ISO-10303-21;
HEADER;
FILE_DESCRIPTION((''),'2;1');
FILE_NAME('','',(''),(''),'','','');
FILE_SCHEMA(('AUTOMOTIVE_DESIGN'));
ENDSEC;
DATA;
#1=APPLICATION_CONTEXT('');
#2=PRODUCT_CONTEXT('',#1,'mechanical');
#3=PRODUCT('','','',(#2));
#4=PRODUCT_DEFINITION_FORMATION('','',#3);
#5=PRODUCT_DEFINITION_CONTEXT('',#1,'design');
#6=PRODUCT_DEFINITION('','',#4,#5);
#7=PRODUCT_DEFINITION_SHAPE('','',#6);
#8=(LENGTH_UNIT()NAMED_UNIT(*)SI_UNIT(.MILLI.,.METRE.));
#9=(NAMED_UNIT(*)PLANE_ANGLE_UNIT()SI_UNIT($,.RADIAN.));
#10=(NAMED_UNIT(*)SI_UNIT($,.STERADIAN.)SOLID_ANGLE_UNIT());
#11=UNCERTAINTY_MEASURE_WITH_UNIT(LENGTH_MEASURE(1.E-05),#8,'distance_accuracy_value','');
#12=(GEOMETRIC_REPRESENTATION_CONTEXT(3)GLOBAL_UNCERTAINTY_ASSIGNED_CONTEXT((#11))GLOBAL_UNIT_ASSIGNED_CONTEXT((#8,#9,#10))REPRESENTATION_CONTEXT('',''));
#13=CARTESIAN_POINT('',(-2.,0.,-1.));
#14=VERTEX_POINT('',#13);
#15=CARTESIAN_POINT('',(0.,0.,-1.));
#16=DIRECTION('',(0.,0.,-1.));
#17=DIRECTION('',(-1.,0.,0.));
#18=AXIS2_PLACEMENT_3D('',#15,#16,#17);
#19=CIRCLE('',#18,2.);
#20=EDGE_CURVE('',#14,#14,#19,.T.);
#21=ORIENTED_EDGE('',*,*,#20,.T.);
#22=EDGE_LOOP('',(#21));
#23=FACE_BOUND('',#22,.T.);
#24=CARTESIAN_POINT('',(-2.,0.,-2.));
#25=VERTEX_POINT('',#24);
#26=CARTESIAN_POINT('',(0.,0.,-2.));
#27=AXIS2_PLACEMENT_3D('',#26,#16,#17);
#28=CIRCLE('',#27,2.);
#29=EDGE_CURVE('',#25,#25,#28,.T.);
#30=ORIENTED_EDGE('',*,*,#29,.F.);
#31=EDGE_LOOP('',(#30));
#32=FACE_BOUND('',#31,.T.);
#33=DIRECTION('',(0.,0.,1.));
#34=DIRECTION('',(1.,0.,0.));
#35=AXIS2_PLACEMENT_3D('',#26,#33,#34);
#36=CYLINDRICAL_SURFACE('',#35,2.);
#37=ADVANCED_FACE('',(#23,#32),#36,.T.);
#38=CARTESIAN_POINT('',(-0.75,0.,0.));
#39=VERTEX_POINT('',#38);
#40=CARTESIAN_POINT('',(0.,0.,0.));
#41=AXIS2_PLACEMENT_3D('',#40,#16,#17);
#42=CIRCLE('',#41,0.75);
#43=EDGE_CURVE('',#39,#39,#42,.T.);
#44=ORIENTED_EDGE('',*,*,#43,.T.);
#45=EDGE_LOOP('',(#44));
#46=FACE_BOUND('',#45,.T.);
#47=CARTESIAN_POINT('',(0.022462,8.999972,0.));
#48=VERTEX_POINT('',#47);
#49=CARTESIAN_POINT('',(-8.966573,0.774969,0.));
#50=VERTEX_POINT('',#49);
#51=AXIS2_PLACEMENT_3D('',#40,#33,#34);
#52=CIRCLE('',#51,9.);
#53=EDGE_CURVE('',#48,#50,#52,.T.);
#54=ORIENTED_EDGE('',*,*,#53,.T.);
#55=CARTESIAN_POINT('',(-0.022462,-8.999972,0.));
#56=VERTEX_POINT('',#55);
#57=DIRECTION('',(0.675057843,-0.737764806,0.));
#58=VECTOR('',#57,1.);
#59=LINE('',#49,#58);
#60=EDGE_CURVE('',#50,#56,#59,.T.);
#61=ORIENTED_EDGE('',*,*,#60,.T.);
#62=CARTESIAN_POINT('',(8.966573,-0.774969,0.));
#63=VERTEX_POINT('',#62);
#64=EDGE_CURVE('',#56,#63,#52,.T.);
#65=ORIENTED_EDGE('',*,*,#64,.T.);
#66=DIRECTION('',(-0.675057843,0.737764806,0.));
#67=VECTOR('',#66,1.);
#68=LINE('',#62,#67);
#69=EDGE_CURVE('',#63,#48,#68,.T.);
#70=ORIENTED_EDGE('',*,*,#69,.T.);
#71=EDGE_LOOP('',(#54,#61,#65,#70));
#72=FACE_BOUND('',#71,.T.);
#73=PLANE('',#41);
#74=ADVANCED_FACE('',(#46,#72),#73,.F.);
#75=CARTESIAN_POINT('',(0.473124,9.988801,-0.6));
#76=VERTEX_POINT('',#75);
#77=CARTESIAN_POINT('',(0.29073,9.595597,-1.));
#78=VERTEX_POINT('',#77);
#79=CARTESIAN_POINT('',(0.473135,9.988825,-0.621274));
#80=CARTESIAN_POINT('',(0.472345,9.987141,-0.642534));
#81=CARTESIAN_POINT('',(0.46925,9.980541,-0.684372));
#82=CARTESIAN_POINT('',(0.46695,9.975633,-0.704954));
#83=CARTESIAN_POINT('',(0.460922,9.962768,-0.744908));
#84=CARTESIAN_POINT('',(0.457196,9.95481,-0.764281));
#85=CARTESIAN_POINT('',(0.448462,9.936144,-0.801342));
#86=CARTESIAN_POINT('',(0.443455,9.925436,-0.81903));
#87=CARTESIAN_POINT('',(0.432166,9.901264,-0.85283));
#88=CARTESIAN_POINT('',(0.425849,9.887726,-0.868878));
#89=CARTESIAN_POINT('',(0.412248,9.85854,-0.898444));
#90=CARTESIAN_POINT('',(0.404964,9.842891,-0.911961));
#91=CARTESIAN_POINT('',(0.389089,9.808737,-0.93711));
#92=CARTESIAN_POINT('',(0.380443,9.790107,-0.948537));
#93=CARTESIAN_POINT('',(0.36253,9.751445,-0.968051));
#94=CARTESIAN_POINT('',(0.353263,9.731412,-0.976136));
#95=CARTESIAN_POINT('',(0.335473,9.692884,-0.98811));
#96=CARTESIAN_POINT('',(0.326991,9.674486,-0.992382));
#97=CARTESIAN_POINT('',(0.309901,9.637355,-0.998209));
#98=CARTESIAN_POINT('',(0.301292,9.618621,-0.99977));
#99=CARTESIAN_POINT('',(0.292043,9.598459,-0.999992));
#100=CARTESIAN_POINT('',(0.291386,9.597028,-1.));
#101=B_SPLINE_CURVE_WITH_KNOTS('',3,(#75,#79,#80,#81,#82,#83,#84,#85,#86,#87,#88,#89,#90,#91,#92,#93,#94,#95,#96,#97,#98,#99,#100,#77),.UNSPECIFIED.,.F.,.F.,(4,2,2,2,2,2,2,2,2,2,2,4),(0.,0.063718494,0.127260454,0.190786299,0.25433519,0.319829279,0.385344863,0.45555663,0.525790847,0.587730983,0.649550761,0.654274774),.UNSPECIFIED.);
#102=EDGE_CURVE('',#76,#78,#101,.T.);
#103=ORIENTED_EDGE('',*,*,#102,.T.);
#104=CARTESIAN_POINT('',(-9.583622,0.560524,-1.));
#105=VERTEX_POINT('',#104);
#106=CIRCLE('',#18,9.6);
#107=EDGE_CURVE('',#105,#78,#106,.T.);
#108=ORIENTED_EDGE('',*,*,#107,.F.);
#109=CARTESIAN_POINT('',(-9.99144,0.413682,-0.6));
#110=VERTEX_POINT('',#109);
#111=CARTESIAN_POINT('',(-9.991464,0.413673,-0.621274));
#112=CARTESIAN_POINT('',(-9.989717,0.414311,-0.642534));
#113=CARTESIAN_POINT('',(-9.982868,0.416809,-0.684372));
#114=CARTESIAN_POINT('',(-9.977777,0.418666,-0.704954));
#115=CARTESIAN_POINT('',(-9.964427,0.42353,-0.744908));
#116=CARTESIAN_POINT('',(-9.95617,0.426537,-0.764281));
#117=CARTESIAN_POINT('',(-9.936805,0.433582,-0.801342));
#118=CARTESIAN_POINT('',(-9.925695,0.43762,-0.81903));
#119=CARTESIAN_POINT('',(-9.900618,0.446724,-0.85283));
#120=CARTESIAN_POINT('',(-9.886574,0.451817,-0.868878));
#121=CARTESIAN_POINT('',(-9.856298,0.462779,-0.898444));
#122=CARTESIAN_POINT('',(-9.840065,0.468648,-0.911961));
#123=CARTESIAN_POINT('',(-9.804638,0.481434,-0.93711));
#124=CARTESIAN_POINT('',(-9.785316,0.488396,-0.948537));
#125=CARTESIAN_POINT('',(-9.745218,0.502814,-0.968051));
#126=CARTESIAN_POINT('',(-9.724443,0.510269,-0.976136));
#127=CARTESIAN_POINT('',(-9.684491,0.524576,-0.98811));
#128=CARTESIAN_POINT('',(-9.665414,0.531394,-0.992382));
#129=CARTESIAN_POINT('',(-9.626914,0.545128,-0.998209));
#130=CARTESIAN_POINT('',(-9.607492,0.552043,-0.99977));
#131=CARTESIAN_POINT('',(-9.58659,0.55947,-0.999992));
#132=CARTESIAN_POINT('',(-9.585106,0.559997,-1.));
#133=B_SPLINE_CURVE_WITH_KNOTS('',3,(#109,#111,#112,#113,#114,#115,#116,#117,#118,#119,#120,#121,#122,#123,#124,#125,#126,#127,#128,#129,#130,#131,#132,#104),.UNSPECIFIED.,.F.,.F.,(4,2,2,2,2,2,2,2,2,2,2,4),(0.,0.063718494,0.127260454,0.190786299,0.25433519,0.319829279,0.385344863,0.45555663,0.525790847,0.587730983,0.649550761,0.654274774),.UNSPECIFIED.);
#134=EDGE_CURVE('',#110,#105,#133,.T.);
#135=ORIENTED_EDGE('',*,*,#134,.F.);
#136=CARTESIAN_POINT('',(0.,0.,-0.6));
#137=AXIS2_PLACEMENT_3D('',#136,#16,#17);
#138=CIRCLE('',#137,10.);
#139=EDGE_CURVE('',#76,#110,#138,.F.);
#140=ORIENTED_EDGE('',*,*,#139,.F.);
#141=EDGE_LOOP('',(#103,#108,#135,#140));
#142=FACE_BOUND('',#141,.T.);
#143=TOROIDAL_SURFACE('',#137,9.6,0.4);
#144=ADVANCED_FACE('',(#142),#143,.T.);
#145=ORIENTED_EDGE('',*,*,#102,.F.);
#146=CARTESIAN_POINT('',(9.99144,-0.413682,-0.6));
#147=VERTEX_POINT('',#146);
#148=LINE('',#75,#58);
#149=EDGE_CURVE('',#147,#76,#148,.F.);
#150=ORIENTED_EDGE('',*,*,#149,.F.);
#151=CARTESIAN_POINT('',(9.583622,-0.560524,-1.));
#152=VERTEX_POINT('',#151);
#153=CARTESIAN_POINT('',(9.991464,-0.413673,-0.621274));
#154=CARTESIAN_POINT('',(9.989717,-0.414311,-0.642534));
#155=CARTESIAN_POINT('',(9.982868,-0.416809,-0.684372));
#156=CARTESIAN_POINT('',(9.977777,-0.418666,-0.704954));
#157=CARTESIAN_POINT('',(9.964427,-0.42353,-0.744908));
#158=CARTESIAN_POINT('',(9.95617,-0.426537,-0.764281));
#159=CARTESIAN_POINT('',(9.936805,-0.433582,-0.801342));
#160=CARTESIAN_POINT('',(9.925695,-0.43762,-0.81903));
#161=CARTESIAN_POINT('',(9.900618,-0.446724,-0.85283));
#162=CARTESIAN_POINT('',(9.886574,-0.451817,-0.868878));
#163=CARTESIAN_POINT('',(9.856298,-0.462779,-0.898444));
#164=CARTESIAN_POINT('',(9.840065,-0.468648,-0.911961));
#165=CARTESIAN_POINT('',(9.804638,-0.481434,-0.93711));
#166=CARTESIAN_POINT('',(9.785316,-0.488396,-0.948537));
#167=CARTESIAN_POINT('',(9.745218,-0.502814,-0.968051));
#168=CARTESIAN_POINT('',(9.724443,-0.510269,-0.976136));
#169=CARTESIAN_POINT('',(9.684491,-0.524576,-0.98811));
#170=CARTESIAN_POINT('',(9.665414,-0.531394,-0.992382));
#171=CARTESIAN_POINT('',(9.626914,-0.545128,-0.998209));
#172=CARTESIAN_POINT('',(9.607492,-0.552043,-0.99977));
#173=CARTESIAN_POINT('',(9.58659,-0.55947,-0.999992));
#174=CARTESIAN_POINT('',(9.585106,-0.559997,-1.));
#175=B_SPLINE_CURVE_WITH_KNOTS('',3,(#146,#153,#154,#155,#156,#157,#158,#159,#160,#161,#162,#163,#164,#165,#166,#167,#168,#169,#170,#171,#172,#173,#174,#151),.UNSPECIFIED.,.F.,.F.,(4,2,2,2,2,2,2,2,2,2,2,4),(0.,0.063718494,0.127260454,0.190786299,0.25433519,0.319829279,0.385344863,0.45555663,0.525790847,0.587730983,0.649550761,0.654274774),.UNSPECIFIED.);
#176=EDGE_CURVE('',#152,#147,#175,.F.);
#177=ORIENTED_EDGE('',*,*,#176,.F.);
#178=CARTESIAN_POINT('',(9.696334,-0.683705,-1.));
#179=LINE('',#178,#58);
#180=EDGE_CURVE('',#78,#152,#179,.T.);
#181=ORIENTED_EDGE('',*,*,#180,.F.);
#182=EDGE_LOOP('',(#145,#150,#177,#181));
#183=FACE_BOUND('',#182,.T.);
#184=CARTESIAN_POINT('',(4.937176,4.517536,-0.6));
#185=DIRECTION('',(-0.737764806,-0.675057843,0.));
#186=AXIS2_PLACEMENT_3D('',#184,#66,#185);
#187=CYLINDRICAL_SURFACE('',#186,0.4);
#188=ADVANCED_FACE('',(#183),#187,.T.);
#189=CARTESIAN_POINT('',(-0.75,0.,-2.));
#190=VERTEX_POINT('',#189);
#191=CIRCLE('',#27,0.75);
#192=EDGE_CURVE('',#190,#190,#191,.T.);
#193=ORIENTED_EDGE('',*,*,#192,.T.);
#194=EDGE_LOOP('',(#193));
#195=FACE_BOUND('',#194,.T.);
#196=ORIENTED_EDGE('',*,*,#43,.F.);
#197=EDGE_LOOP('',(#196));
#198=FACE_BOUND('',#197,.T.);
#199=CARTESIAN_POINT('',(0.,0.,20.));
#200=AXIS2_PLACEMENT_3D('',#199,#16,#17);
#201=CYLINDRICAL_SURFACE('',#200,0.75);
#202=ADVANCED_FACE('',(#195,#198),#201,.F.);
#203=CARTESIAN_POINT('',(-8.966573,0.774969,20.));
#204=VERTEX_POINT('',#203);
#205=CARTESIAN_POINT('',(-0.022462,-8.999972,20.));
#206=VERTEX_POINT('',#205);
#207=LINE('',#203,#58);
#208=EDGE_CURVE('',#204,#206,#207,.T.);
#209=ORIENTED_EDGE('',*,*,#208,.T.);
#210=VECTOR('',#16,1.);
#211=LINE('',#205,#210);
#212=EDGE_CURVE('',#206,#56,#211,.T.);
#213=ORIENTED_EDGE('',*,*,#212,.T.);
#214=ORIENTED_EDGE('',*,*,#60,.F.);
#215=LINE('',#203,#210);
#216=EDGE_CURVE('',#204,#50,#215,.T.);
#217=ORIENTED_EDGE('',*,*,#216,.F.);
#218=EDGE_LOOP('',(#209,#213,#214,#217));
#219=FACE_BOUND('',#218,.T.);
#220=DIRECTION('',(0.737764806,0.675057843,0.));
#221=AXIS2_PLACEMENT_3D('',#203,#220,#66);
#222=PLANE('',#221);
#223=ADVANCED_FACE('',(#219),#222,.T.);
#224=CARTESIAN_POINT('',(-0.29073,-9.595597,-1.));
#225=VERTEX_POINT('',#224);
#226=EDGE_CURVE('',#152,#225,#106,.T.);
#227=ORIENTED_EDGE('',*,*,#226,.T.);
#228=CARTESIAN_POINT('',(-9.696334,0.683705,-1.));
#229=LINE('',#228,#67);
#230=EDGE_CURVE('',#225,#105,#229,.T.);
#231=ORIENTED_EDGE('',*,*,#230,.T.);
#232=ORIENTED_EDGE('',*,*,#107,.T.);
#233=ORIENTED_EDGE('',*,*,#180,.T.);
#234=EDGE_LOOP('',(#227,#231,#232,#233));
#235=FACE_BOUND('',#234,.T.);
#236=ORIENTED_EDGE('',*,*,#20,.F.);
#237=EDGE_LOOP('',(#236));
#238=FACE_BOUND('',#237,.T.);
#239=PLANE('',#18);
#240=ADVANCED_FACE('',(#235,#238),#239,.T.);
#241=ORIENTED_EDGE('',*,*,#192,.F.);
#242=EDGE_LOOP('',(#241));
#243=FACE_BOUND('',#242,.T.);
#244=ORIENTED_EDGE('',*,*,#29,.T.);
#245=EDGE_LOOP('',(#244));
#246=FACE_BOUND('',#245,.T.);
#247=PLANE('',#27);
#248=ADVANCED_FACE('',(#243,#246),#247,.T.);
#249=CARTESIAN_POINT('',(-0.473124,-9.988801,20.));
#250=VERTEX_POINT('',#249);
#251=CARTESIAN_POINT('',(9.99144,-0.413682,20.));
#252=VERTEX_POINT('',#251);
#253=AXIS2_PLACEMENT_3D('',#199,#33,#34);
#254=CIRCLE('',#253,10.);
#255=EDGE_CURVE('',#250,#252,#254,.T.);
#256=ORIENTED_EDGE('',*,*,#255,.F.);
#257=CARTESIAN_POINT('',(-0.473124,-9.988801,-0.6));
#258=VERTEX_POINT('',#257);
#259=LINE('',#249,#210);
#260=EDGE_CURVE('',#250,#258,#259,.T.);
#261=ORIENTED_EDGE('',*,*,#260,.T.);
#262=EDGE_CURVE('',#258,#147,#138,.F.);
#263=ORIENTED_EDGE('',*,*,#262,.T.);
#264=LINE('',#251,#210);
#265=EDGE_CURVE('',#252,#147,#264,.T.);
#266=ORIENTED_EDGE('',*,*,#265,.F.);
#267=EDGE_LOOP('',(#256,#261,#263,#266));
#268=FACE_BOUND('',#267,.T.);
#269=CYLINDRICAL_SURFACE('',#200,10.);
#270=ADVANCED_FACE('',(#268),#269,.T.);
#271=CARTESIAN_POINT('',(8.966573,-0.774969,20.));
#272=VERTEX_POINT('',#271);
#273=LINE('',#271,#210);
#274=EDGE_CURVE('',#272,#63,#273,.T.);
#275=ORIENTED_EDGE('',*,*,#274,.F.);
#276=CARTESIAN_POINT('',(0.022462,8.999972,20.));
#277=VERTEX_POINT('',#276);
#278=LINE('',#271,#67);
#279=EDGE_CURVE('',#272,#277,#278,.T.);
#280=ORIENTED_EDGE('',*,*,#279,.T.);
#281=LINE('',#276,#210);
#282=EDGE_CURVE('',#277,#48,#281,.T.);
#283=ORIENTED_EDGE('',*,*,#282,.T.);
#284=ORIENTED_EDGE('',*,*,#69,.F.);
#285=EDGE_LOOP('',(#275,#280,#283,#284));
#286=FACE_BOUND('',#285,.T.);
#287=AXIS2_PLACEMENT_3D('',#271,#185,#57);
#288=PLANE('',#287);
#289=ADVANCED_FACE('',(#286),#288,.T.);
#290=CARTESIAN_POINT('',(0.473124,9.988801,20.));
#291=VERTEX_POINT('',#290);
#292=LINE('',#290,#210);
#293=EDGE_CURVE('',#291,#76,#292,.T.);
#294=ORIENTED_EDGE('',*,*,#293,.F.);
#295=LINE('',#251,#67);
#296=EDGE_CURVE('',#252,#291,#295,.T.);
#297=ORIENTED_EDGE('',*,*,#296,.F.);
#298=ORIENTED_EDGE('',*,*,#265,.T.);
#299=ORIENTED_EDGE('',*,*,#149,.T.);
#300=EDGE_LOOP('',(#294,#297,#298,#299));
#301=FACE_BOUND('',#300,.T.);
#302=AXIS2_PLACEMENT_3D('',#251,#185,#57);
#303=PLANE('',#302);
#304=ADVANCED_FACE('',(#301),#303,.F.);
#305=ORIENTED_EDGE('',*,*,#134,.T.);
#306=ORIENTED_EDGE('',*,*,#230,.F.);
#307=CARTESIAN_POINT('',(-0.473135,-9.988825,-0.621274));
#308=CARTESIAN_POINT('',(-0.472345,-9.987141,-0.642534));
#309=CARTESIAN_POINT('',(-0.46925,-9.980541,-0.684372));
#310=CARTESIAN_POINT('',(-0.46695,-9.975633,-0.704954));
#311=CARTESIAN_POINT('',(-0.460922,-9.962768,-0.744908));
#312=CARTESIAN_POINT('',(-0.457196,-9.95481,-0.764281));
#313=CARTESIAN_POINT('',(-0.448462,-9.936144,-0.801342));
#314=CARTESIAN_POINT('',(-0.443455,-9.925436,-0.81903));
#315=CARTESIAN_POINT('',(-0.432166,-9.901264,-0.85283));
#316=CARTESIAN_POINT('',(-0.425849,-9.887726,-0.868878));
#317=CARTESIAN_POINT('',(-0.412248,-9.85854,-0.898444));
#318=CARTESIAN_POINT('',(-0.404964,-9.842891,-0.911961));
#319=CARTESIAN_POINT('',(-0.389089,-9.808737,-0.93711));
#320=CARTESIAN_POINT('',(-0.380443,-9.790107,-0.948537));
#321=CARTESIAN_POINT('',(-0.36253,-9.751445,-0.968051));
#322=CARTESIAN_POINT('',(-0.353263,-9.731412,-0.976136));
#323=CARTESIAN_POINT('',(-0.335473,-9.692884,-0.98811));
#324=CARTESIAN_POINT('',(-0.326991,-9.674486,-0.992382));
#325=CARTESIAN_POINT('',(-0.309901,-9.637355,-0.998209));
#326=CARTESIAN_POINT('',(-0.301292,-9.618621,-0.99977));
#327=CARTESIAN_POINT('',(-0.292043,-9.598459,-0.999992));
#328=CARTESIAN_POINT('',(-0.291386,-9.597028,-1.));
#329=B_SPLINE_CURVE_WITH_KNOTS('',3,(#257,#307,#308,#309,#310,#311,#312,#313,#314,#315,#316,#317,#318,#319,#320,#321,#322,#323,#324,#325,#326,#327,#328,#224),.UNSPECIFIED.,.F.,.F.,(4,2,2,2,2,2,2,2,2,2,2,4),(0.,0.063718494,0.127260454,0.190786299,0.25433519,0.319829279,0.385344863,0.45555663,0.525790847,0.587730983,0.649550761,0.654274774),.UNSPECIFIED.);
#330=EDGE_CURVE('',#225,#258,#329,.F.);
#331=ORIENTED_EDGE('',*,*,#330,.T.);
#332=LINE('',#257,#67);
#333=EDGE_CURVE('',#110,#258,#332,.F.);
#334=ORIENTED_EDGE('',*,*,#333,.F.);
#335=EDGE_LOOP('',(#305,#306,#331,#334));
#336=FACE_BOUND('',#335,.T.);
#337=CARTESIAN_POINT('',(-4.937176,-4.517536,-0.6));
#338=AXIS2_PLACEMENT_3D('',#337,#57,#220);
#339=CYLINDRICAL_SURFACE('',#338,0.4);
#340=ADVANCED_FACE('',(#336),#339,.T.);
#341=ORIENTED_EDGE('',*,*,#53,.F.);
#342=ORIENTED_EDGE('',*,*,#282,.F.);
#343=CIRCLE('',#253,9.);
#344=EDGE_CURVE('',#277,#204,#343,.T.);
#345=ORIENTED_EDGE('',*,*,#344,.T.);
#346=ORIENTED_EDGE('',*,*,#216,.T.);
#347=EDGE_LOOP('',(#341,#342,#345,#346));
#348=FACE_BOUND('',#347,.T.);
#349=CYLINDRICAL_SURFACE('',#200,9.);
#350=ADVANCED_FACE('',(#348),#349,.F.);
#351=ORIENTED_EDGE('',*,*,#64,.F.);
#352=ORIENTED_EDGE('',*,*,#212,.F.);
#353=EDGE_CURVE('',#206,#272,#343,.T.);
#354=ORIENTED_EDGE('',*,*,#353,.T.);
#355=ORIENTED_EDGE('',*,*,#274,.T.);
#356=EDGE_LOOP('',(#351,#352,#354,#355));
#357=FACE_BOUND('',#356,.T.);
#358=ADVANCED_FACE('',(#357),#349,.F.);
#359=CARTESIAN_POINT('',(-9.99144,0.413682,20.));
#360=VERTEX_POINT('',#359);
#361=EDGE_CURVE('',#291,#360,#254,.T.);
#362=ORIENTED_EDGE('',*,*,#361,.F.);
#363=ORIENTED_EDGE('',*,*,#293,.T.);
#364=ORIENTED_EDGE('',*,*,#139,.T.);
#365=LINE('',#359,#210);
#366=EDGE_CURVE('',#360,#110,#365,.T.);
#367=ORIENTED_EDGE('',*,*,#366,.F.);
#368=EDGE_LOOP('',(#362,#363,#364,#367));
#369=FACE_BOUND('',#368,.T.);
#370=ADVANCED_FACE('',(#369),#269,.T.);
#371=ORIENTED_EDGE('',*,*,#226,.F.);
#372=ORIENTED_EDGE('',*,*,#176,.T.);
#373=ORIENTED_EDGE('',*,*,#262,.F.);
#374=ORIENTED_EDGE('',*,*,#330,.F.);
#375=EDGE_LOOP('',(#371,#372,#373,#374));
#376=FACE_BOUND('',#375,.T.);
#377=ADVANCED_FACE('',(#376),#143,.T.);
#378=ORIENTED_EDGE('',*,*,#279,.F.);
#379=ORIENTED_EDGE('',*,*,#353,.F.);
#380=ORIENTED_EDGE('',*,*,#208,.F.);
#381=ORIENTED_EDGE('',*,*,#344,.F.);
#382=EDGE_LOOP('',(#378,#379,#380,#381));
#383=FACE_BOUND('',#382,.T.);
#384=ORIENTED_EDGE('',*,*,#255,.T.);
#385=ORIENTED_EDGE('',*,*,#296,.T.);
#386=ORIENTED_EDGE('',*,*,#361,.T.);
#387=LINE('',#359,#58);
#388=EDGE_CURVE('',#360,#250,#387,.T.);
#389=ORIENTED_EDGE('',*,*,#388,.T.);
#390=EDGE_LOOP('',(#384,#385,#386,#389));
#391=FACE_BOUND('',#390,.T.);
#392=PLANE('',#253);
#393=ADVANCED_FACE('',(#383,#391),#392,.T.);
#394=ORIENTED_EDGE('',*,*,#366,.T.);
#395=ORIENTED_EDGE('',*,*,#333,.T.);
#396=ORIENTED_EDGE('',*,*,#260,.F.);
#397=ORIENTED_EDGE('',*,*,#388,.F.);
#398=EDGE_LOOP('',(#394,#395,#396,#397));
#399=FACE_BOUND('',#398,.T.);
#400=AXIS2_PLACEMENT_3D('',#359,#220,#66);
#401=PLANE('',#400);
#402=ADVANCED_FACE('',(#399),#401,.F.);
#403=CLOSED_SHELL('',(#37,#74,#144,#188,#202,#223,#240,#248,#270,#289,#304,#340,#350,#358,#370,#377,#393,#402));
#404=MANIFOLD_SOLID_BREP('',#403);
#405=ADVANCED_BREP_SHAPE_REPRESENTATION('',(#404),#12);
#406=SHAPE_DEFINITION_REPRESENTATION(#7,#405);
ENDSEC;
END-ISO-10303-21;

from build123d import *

# Parameters (mm, degrees)
BOSS_EXTRUDE1_DEPTH = 20
BOSS_EXTRUDE2_START = 1
BOSS_EXTRUDE2_DEPTH = 1
FILLET1_R           = 0.4
SKETCH3_R           = 2
BOSS_EXTRUDE3_DEPTH = 1
SKETCH4_R           = 0.75
CUT_EXTRUDE1_DEPTH  = 27.150121814


with BuildPart() as part:
    # Sketch1 → Boss-Extrude1 (new body)
    with BuildSketch(Plane.XY):
        with BuildLine():
            Line((-9.991439682, 0.413682349), (-0.473124093, -9.988801409))
            ThreePointArc((-0.473124093, -9.988801409), (6.750578432, -7.377648056), (9.991439682, -0.413682349))
            Line((9.991439682, -0.413682349), (0.473124093, 9.988801409))
            ThreePointArc((0.473124093, 9.988801409), (-6.750578432, 7.377648056), (-9.991439682, 0.413682349))
        make_face()
        with BuildLine():
            Line((-8.966572571, 0.774968597), (-0.022461592, -8.999971971))
            ThreePointArc((-0.022461592, -8.999971971), (6.075520589, -6.63988325), (8.966572571, -0.774968597))
            Line((8.966572571, -0.774968597), (0.022461592, 8.999971971))
            ThreePointArc((0.022461592, 8.999971971), (-6.075520589, 6.63988325), (-8.966572571, 0.774968597))
        make_face(mode=Mode.SUBTRACT)
    extrude(amount=BOSS_EXTRUDE1_DEPTH)

    # Sketch2 → Boss-Extrude2 (add)
    with BuildSketch(Plane(origin=(0, 0, 0), x_dir=(-1, 0, 0), z_dir=(0, 0, -1)).offset(BOSS_EXTRUDE2_START)):
        with BuildLine():
            Line((-0.473124093, 9.988801409), (-9.991439682, -0.413682349))
            ThreePointArc((-9.991439682, -0.413682349), (-6.750578432, -7.377648056), (0.473124093, -9.988801409))
            Line((0.473124093, -9.988801409), (9.991439682, 0.413682349))
            ThreePointArc((9.991439682, 0.413682349), (6.750578432, 7.377648056), (-0.473124093, 9.988801409))
        make_face()
    extrude(amount=-BOSS_EXTRUDE2_DEPTH)

    # Fillet1
    fillet1_edges = [part.edges().sort_by_distance(p)[0] for p in [
        (-6.750578432, 7.377648056, -1),
        (5.232281887, 4.78755953, -1),
        (6.750578432, -7.377648056, -1),
        (-5.232281887, -4.78755953, -1),
    ]]
    fillet(fillet1_edges, radius=FILLET1_R)

    # Sketch3 → Boss-Extrude3 (add)
    with BuildSketch(Plane(origin=(0, 0, -1), x_dir=(-1, 0, 0), z_dir=(0, 0, -1))):
        Circle(SKETCH3_R)
    extrude(amount=BOSS_EXTRUDE3_DEPTH)

    # Sketch4 → Cut-Extrude1 (cut, through all)
    with BuildSketch(Plane(origin=(0, 0, -2), x_dir=(-1, 0, 0), z_dir=(0, 0, -1))):
        Circle(SKETCH4_R)
    extrude(amount=-CUT_EXTRUDE1_DEPTH, mode=Mode.SUBTRACT)


solid = part.part
